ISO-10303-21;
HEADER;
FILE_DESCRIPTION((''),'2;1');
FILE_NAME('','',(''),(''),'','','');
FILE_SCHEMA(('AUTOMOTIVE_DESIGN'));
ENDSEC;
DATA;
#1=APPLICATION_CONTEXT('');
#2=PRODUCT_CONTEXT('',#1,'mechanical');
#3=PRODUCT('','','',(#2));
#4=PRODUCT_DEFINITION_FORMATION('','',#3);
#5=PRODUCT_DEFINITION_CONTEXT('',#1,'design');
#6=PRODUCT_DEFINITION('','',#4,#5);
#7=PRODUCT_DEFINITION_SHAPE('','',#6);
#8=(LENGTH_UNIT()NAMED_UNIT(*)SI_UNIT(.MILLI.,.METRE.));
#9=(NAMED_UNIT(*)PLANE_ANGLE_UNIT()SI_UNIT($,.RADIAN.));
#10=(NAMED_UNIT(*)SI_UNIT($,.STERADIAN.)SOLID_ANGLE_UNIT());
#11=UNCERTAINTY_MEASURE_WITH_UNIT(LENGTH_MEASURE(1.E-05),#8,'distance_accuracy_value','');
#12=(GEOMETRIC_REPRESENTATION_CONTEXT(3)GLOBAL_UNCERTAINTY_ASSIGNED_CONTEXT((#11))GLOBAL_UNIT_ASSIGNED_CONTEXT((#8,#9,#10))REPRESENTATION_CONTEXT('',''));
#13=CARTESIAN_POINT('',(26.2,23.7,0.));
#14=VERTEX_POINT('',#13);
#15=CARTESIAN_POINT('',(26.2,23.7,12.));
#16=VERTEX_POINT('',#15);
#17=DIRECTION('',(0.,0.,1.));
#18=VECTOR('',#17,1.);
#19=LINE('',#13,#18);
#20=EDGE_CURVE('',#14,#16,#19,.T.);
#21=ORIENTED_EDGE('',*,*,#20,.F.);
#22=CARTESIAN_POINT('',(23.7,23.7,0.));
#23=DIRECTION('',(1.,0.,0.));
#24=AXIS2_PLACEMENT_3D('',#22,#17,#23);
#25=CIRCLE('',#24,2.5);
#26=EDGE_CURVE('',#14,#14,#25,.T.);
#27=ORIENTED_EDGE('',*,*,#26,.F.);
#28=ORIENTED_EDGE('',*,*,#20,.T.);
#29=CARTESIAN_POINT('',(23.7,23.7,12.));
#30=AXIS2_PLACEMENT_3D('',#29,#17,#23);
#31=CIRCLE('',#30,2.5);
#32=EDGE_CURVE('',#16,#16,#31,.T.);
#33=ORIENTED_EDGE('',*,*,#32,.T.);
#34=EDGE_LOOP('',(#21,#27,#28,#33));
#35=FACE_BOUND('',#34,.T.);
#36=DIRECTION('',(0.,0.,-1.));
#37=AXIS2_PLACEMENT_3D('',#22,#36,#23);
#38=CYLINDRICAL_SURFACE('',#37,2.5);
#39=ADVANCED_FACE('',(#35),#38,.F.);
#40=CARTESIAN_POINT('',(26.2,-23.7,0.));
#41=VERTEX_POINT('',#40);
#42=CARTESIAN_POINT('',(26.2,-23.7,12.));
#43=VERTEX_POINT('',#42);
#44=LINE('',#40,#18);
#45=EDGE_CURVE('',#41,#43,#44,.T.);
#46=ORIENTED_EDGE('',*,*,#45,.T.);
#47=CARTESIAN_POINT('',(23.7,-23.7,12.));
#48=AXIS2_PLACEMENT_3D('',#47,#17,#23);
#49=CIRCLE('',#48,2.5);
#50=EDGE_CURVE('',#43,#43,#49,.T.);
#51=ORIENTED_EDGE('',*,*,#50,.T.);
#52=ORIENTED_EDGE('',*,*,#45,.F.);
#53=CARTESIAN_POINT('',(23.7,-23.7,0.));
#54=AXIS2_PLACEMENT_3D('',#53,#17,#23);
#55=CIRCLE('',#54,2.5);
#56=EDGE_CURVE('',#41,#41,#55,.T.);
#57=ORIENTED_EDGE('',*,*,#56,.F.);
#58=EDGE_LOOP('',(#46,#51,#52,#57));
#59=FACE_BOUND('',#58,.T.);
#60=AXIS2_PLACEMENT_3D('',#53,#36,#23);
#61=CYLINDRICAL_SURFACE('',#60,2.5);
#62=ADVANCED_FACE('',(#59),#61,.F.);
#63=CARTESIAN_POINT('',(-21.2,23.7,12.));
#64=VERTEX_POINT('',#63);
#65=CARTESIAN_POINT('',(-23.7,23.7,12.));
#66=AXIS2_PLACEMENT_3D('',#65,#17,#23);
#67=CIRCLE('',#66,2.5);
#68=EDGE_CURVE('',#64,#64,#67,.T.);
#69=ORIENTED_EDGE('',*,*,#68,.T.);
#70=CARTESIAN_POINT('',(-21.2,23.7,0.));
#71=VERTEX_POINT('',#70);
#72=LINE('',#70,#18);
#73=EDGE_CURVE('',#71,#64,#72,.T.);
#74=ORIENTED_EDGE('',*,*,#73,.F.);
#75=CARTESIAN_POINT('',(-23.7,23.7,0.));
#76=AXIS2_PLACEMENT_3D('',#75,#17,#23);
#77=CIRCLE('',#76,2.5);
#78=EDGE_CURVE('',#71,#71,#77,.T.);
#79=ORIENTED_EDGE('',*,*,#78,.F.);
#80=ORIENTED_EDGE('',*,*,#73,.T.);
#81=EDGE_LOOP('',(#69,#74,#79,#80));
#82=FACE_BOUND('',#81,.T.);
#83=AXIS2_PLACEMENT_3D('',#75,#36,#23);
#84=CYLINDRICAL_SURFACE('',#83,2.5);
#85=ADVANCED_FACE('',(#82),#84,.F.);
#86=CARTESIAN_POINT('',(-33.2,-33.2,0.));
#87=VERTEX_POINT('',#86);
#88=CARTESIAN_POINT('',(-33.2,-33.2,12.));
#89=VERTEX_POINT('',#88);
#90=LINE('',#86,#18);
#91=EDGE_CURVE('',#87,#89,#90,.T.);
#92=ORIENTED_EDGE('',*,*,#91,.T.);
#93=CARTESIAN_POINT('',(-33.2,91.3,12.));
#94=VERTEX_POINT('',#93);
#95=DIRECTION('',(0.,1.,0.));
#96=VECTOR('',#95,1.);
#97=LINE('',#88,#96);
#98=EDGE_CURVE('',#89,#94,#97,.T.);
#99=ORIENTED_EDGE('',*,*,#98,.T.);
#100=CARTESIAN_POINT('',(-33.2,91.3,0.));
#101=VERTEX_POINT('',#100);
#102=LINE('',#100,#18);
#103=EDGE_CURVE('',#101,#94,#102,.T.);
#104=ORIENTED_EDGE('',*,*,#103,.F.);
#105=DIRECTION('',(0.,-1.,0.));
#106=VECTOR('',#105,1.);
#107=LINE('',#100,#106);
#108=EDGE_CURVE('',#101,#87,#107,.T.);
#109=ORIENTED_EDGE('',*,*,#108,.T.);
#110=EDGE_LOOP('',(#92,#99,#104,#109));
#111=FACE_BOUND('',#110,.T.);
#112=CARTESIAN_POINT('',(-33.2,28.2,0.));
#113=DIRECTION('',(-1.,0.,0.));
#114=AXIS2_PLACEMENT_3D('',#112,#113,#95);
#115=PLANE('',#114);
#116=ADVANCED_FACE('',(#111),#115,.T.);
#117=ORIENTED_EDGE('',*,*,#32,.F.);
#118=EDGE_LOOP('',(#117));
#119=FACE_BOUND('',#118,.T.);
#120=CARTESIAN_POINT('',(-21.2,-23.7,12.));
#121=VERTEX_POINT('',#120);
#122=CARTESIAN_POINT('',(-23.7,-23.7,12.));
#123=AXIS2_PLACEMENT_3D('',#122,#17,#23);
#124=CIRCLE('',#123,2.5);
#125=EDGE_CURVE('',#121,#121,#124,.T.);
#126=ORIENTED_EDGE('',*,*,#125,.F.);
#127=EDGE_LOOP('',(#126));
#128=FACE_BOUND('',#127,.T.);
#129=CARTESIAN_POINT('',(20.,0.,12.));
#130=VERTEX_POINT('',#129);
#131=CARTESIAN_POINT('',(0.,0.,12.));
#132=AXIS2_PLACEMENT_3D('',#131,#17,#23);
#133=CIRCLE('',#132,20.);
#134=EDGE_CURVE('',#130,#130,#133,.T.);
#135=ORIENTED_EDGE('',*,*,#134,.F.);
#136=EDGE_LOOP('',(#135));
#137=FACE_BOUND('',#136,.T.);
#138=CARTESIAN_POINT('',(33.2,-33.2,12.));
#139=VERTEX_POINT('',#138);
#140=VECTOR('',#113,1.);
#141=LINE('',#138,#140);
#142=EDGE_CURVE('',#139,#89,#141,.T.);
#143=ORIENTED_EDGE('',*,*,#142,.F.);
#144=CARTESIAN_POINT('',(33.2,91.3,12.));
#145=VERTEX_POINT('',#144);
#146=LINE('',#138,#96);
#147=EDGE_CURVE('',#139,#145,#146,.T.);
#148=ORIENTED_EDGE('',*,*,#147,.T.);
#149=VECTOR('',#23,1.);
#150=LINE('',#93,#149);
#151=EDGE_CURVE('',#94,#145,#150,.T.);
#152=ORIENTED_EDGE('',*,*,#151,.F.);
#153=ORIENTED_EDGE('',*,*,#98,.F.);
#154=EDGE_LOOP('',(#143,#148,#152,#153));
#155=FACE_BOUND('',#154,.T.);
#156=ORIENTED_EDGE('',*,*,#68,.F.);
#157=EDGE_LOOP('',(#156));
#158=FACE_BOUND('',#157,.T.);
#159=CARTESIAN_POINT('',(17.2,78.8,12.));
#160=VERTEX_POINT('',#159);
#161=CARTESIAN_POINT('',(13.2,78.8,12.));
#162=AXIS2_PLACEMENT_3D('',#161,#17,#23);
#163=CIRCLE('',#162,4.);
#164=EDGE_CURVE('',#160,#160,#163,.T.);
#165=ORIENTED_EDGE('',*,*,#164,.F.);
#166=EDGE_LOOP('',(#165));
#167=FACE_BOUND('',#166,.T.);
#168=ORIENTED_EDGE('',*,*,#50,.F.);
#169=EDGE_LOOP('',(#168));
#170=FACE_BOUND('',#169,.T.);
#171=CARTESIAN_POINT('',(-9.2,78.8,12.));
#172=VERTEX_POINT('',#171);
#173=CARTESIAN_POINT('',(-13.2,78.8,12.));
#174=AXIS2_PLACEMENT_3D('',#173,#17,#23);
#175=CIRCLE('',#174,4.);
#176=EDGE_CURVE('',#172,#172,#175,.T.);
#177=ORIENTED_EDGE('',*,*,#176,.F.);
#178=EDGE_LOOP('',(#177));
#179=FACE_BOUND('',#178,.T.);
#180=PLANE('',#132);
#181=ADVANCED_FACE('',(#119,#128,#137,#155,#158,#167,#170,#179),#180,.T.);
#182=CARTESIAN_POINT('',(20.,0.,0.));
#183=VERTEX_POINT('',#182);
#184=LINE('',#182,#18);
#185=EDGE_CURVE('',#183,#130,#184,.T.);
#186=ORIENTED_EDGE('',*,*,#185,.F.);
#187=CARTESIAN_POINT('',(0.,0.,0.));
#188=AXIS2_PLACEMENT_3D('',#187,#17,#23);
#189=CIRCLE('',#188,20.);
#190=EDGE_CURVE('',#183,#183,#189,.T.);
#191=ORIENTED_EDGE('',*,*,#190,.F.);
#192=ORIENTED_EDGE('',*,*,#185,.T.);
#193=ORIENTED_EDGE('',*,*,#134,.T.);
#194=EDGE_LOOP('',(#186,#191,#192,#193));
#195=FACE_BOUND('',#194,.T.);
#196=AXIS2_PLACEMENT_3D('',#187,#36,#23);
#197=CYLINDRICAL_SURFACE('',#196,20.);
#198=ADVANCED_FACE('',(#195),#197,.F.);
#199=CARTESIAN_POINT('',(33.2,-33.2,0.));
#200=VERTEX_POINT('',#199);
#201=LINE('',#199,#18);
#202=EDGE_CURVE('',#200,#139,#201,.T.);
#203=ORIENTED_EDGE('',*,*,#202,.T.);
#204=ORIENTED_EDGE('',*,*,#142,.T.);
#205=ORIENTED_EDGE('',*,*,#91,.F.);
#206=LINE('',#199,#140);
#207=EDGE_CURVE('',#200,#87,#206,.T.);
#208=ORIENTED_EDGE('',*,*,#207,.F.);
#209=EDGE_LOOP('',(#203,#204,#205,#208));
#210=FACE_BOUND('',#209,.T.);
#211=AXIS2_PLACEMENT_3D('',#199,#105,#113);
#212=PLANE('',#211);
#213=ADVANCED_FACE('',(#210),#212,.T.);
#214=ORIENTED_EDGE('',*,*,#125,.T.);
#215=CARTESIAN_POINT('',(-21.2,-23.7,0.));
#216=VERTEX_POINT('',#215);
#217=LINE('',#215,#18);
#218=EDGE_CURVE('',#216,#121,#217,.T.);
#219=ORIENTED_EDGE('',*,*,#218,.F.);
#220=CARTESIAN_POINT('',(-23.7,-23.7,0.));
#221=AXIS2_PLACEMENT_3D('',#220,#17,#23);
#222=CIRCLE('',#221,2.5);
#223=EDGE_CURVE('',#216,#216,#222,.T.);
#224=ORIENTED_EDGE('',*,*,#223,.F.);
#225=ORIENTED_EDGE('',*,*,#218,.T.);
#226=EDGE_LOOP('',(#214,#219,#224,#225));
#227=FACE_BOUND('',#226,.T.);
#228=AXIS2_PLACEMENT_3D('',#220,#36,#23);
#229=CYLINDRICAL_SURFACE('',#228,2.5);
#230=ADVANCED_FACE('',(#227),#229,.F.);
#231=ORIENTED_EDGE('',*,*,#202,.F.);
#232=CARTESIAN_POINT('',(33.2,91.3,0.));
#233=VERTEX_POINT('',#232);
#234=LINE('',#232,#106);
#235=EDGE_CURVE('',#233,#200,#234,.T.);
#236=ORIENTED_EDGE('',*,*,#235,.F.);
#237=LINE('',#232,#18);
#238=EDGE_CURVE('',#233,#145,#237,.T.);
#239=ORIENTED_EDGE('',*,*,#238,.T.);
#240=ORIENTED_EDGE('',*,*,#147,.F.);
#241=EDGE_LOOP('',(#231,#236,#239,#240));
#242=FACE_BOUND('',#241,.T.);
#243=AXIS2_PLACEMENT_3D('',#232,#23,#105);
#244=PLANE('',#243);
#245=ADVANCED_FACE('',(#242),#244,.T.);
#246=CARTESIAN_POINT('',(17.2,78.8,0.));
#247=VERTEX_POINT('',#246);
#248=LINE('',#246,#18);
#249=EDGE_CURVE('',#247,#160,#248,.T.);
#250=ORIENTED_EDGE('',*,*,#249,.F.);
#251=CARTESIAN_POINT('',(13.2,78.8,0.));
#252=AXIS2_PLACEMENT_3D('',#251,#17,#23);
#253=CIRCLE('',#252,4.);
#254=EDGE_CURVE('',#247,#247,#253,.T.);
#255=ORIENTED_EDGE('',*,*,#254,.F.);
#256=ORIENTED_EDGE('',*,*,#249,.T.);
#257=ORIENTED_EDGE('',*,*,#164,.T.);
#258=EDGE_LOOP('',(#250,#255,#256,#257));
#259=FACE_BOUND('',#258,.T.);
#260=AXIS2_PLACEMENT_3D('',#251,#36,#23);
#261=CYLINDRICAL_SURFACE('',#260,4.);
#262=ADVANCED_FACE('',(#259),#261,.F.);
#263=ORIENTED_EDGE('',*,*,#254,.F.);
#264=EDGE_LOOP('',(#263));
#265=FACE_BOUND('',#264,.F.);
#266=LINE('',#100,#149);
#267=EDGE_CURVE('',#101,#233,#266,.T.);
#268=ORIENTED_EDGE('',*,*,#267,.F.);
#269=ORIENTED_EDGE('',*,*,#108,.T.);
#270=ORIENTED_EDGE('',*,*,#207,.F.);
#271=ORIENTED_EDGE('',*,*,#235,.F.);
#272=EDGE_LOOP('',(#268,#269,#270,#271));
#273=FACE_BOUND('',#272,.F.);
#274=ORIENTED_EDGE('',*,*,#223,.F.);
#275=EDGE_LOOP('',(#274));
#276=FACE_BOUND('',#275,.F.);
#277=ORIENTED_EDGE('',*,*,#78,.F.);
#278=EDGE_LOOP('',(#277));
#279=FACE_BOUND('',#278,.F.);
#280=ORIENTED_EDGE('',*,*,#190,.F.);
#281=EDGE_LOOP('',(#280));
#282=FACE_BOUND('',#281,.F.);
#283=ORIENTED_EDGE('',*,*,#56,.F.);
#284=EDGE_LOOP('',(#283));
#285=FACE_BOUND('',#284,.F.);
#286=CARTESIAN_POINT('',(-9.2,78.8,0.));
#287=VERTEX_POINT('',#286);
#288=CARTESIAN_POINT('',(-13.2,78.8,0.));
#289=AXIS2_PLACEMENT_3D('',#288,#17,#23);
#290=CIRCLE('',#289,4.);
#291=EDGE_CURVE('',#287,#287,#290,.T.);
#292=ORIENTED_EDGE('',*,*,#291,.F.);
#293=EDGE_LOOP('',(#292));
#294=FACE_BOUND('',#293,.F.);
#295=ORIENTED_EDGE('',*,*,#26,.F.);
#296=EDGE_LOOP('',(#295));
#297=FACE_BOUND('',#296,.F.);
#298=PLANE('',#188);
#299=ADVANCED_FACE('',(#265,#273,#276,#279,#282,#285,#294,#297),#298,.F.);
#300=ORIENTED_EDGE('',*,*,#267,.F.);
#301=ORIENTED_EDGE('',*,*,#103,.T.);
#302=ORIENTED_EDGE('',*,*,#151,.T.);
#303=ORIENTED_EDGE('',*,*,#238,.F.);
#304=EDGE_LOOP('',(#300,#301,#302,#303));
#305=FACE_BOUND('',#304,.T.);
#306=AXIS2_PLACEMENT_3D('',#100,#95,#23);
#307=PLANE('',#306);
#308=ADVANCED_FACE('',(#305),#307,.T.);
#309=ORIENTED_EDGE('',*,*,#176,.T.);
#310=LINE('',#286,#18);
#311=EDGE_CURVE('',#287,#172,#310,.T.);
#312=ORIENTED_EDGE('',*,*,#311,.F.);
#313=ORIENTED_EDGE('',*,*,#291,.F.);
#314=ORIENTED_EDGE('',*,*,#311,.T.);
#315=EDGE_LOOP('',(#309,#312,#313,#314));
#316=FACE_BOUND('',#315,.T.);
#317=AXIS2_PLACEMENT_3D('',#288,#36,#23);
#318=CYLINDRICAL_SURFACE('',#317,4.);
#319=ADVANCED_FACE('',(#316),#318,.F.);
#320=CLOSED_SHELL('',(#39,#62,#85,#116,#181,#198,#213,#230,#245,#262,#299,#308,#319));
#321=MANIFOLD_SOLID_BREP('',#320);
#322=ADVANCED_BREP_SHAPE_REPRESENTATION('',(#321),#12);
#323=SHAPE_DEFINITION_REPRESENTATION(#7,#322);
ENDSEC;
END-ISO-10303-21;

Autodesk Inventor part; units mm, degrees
ref_plane "YZ Plane" through (0, 0, 0) normal (1, 0, 0) x (0, 1, 0)
ref_plane "XZ Plane" through (0, 0, 0) normal (0, 1, 0) x (-1, 0, 0)
ref_plane "XY Plane" through (0, 0, 0) normal (0, 0, 1) x (1, 0, 0)
sketch "Sketch1" plane through (0, 0, 0) normal (0, 0, 1) x (1, 0, 0)
  circle A0 centre (0, 0) radius 20
  line L0 (-33.2, 28.2) -> (33.2, 28.2)
  line L1 (33.2, 28.2) -> (33.2, -33.2)
  line L2 (33.2, -33.2) -> (-33.2, -33.2)
  line L3 (-33.2, -33.2) -> (-33.2, 28.2)
  circle A1 centre (-23.7, 23.7) radius 2.5
  circle A2 centre (23.7, 23.7) radius 2.5
  circle A3 centre (23.7, -23.7) radius 2.5
  circle A4 centre (-23.7, -23.7) radius 2.5
  line L4 (-33.2, 28.2) -> (-33.2, 91.3)
  line L5 (-33.2, 91.3) -> (33.2, 91.3)
  line L6 (33.2, 91.3) -> (33.2, 28.2)
  circle A5 centre (-13.2, 78.8) radius 4
  circle A6 centre (13.2, 78.8) radius 4
  dimension "d0" = 40
  dimension "d1" = 66.4
  dimension "d2" = 61.4
  dimension "d3" = 33.2
  dimension "d4" = 28.2
  dimension "d5" = 5
  dimension "d6" = 5
  dimension "d7" = 5
  dimension "d8" = 5
  dimension "d9" = 47.4
  dimension "d10" = 47.4
  dimension "d11" = 47.4
  dimension "d12" = 47.4
  dimension "d13" = 4.5
  dimension "d14" = 9.5
  dimension "d15" = 9.5
  dimension "d16" = 9.5
  dimension "d19" = 63.1
  dimension "d20" = 8
  dimension "d21" = 8
  dimension "d23" = 20
  dimension "d24" = 20
  dimension "d27" = 12.5
  dimension "d28" = 12.5
extrude "Extrusion1" add sketch "Sketch1" along normal blind 12
properties part number "NEMA 23 Holder"
